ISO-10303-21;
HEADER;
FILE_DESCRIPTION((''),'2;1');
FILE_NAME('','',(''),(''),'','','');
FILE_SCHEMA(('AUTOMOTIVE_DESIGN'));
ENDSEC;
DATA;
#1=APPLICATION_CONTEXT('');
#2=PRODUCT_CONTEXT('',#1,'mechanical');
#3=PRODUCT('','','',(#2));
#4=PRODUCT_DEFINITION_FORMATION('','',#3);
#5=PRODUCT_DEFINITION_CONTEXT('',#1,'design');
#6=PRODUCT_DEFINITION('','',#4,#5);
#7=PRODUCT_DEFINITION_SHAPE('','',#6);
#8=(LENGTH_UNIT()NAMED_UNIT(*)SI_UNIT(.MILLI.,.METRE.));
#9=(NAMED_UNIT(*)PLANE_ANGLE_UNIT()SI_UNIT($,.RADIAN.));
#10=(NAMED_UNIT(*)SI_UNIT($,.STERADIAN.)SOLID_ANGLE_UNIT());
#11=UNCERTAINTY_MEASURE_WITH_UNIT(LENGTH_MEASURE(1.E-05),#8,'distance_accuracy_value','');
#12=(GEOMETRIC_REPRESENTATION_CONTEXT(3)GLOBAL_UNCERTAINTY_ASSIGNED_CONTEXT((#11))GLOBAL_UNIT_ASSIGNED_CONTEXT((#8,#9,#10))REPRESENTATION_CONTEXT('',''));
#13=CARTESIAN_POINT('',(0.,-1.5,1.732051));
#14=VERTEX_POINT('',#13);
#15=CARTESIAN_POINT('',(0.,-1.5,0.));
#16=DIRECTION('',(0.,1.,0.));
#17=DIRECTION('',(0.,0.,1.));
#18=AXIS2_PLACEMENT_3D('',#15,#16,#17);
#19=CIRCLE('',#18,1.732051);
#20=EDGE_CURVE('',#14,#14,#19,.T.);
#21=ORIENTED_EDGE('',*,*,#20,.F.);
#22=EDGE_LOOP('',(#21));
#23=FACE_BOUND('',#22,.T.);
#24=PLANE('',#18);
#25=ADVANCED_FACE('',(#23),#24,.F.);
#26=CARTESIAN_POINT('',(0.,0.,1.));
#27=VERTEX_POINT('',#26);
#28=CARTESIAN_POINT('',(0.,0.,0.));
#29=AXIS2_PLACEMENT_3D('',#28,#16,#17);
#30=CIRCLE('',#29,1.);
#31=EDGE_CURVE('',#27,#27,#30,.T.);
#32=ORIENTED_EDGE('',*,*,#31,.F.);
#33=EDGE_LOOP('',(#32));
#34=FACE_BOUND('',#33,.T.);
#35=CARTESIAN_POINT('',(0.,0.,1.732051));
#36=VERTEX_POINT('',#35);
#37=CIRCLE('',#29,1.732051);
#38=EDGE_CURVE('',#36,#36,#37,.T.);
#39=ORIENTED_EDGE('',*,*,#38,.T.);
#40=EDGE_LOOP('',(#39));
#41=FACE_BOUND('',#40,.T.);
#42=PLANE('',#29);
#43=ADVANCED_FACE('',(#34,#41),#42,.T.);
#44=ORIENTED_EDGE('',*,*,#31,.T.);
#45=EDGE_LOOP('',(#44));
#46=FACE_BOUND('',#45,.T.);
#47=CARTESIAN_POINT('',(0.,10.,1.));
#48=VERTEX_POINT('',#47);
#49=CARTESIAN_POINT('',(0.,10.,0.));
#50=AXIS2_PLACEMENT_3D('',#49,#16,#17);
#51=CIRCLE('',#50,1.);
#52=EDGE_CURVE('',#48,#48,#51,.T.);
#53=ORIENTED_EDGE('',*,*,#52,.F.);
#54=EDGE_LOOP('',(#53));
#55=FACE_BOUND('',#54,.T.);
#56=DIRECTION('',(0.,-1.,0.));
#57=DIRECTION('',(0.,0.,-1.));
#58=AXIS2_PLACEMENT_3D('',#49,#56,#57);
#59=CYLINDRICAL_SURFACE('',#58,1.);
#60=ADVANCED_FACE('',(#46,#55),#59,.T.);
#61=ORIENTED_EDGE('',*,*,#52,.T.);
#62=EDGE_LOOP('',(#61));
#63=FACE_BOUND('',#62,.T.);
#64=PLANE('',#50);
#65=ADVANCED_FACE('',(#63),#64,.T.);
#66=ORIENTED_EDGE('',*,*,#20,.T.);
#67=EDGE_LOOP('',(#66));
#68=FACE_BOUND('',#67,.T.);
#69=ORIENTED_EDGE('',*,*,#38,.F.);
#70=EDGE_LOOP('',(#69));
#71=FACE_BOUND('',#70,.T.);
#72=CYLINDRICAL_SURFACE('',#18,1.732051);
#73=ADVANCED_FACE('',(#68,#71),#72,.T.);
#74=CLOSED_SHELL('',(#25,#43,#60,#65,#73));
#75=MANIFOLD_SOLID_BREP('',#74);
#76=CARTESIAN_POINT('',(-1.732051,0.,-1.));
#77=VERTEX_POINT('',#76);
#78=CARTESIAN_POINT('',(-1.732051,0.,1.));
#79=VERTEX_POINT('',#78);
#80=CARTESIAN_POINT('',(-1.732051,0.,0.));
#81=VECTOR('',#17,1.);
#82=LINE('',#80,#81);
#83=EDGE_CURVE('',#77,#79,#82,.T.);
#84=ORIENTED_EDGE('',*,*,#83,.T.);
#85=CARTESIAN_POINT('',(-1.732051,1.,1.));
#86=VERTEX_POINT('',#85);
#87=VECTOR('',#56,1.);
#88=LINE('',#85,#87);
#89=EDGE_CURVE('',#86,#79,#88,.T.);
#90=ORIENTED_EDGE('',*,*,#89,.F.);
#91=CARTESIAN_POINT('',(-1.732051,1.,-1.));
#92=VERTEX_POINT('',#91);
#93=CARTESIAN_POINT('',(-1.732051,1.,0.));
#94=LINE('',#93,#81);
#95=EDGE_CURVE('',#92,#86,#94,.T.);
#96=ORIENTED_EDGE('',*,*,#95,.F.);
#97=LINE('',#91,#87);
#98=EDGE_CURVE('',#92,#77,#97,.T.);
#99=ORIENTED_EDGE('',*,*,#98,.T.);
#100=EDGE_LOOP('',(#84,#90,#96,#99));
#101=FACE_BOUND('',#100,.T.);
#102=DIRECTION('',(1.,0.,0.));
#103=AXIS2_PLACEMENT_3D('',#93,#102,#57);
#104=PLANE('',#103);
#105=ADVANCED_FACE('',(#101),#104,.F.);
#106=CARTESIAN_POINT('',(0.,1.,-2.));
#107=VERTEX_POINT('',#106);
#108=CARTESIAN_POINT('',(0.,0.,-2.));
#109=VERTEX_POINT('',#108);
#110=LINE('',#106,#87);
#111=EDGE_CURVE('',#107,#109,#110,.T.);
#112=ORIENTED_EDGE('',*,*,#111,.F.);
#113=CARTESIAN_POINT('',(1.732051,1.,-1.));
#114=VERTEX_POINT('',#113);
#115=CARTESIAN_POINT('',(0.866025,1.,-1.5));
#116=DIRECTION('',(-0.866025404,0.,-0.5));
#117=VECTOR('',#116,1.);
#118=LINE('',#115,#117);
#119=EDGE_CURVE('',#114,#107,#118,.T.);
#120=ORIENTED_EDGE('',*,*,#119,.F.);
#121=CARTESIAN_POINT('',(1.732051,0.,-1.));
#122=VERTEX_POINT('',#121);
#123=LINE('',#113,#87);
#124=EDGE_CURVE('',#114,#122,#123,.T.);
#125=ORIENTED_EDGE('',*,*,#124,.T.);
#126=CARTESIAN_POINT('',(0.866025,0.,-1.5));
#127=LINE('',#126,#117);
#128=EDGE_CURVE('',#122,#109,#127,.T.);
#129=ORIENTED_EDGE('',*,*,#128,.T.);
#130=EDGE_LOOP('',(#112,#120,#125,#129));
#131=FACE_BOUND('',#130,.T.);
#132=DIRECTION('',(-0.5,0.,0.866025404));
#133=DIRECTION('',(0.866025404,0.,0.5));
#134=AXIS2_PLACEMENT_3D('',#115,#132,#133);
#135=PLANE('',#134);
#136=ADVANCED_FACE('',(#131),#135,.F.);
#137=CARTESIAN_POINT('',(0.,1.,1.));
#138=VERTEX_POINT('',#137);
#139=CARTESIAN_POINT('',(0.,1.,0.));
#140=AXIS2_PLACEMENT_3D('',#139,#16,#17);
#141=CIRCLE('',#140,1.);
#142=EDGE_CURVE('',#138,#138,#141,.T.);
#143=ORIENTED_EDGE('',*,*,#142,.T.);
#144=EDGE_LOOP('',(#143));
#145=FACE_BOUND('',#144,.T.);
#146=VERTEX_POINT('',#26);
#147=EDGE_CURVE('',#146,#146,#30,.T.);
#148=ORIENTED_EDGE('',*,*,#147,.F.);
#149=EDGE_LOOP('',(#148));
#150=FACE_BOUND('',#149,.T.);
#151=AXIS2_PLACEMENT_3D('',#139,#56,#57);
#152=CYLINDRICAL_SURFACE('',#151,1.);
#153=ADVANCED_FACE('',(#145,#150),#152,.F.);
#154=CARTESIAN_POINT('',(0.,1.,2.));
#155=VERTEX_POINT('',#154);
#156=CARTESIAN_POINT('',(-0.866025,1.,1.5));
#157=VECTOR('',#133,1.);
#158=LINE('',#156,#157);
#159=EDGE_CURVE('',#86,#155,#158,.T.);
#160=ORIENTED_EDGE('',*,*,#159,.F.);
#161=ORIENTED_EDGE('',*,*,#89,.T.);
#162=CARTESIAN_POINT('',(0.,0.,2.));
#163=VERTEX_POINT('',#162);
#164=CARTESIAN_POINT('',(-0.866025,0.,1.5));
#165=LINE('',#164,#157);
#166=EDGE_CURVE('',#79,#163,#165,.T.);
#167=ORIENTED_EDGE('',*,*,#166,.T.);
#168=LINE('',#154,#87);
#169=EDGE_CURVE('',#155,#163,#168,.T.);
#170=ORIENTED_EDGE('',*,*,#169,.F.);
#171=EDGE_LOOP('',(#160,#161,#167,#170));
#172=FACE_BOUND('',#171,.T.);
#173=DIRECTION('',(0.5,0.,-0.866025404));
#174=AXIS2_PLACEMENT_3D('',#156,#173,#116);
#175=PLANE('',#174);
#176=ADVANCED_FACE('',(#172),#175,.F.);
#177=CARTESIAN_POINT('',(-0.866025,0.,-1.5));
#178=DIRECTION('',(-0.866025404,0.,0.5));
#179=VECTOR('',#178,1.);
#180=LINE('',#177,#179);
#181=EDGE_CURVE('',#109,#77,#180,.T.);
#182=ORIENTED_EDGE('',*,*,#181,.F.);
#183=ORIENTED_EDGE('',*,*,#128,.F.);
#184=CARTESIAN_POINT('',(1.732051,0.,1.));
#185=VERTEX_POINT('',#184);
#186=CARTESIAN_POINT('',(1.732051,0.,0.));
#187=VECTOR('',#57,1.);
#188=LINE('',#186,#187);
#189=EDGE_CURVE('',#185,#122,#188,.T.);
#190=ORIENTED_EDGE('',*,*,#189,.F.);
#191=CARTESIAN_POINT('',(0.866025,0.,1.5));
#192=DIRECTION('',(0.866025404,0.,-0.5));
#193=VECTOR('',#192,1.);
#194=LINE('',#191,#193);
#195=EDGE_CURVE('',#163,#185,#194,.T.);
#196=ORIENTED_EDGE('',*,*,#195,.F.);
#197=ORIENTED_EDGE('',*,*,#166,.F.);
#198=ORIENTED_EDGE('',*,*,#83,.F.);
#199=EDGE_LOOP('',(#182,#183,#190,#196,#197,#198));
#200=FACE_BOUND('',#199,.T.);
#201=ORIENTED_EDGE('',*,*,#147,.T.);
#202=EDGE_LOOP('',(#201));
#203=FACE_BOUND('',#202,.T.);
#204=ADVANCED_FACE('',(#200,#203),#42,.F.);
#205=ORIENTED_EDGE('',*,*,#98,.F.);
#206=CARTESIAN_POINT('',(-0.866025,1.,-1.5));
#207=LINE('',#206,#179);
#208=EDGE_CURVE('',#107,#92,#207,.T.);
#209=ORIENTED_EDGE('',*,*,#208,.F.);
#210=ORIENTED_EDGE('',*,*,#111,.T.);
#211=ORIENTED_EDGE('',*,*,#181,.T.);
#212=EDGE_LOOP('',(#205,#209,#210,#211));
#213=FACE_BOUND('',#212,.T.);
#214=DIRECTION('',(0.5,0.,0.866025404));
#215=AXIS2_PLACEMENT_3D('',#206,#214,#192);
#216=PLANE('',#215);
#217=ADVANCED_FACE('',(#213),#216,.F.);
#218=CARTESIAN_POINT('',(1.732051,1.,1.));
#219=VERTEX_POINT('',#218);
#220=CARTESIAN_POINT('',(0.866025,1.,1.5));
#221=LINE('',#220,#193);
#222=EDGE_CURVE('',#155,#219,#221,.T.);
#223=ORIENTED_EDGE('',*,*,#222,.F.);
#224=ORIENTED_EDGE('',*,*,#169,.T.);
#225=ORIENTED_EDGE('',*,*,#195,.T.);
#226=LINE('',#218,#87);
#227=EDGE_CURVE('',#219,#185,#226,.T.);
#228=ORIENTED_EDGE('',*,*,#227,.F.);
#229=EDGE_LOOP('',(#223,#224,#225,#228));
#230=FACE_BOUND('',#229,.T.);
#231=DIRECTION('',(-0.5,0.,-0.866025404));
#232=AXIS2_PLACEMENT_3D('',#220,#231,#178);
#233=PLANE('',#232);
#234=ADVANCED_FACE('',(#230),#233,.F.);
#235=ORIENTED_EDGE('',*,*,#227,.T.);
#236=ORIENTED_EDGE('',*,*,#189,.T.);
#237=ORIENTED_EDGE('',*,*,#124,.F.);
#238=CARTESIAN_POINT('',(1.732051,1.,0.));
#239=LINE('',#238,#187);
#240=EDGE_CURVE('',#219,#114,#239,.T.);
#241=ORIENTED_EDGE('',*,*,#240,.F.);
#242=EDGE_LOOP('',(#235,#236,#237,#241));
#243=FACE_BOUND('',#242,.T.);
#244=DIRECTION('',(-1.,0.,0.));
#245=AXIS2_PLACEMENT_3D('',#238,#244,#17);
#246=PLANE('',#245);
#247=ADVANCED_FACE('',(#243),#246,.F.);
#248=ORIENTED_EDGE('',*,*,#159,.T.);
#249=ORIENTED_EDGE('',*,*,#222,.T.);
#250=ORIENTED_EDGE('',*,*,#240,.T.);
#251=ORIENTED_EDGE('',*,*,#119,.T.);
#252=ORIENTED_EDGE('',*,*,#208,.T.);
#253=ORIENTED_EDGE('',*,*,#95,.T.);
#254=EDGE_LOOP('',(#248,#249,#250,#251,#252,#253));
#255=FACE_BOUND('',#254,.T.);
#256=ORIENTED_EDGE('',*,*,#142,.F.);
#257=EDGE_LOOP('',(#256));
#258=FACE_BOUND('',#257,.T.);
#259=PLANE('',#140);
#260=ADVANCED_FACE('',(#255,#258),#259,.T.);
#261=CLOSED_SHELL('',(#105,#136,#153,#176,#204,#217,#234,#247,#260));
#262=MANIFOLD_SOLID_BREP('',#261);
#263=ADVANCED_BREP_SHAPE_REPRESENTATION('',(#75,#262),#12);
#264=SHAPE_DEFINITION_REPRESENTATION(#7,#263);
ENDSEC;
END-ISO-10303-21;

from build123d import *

# Parameters (mm, degrees)
SKETCH1_R           = 1
BOSS_EXTRUDE1_DEPTH = 10
SKETCH1_4_R         = 1.732050808
BOSS_EXTRUDE2_DEPTH = 1.5
SKETCH1_5_R         = 1
BOSS_EXTRUDE3_DEPTH = 1


with BuildPart() as part:
    # Sketch1 → Boss-Extrude1 (new body)
    with BuildSketch(Plane(origin=(0, 0, 0), x_dir=(1, 0, 0), z_dir=(0, 1, 0))):
        Circle(SKETCH1_R)
    extrude(amount=BOSS_EXTRUDE1_DEPTH)

    # Sketch1<4> → Boss-Extrude2 (add)
    with BuildSketch(Plane(origin=(0, 0, 0), x_dir=(1, 0, 0), z_dir=(0, 1, 0))):
        Circle(SKETCH1_4_R)
    extrude(amount=-BOSS_EXTRUDE2_DEPTH)


with BuildPart() as body_2:
    # Sketch1<5> → Boss-Extrude3 (new body)
    with BuildSketch(Plane(origin=(0, 0, 0), x_dir=(1, 0, 0), z_dir=(0, 1, 0))):
        Polygon((0, 2), (-1.732050808, 1), (-1.732050808, -1), (0, -2), (1.732050808, -1), (1.732050808, 1), align=None)
        Circle(SKETCH1_5_R, mode=Mode.SUBTRACT)
    extrude(amount=BOSS_EXTRUDE3_DEPTH)


solid = Compound([part.part, body_2.part])
